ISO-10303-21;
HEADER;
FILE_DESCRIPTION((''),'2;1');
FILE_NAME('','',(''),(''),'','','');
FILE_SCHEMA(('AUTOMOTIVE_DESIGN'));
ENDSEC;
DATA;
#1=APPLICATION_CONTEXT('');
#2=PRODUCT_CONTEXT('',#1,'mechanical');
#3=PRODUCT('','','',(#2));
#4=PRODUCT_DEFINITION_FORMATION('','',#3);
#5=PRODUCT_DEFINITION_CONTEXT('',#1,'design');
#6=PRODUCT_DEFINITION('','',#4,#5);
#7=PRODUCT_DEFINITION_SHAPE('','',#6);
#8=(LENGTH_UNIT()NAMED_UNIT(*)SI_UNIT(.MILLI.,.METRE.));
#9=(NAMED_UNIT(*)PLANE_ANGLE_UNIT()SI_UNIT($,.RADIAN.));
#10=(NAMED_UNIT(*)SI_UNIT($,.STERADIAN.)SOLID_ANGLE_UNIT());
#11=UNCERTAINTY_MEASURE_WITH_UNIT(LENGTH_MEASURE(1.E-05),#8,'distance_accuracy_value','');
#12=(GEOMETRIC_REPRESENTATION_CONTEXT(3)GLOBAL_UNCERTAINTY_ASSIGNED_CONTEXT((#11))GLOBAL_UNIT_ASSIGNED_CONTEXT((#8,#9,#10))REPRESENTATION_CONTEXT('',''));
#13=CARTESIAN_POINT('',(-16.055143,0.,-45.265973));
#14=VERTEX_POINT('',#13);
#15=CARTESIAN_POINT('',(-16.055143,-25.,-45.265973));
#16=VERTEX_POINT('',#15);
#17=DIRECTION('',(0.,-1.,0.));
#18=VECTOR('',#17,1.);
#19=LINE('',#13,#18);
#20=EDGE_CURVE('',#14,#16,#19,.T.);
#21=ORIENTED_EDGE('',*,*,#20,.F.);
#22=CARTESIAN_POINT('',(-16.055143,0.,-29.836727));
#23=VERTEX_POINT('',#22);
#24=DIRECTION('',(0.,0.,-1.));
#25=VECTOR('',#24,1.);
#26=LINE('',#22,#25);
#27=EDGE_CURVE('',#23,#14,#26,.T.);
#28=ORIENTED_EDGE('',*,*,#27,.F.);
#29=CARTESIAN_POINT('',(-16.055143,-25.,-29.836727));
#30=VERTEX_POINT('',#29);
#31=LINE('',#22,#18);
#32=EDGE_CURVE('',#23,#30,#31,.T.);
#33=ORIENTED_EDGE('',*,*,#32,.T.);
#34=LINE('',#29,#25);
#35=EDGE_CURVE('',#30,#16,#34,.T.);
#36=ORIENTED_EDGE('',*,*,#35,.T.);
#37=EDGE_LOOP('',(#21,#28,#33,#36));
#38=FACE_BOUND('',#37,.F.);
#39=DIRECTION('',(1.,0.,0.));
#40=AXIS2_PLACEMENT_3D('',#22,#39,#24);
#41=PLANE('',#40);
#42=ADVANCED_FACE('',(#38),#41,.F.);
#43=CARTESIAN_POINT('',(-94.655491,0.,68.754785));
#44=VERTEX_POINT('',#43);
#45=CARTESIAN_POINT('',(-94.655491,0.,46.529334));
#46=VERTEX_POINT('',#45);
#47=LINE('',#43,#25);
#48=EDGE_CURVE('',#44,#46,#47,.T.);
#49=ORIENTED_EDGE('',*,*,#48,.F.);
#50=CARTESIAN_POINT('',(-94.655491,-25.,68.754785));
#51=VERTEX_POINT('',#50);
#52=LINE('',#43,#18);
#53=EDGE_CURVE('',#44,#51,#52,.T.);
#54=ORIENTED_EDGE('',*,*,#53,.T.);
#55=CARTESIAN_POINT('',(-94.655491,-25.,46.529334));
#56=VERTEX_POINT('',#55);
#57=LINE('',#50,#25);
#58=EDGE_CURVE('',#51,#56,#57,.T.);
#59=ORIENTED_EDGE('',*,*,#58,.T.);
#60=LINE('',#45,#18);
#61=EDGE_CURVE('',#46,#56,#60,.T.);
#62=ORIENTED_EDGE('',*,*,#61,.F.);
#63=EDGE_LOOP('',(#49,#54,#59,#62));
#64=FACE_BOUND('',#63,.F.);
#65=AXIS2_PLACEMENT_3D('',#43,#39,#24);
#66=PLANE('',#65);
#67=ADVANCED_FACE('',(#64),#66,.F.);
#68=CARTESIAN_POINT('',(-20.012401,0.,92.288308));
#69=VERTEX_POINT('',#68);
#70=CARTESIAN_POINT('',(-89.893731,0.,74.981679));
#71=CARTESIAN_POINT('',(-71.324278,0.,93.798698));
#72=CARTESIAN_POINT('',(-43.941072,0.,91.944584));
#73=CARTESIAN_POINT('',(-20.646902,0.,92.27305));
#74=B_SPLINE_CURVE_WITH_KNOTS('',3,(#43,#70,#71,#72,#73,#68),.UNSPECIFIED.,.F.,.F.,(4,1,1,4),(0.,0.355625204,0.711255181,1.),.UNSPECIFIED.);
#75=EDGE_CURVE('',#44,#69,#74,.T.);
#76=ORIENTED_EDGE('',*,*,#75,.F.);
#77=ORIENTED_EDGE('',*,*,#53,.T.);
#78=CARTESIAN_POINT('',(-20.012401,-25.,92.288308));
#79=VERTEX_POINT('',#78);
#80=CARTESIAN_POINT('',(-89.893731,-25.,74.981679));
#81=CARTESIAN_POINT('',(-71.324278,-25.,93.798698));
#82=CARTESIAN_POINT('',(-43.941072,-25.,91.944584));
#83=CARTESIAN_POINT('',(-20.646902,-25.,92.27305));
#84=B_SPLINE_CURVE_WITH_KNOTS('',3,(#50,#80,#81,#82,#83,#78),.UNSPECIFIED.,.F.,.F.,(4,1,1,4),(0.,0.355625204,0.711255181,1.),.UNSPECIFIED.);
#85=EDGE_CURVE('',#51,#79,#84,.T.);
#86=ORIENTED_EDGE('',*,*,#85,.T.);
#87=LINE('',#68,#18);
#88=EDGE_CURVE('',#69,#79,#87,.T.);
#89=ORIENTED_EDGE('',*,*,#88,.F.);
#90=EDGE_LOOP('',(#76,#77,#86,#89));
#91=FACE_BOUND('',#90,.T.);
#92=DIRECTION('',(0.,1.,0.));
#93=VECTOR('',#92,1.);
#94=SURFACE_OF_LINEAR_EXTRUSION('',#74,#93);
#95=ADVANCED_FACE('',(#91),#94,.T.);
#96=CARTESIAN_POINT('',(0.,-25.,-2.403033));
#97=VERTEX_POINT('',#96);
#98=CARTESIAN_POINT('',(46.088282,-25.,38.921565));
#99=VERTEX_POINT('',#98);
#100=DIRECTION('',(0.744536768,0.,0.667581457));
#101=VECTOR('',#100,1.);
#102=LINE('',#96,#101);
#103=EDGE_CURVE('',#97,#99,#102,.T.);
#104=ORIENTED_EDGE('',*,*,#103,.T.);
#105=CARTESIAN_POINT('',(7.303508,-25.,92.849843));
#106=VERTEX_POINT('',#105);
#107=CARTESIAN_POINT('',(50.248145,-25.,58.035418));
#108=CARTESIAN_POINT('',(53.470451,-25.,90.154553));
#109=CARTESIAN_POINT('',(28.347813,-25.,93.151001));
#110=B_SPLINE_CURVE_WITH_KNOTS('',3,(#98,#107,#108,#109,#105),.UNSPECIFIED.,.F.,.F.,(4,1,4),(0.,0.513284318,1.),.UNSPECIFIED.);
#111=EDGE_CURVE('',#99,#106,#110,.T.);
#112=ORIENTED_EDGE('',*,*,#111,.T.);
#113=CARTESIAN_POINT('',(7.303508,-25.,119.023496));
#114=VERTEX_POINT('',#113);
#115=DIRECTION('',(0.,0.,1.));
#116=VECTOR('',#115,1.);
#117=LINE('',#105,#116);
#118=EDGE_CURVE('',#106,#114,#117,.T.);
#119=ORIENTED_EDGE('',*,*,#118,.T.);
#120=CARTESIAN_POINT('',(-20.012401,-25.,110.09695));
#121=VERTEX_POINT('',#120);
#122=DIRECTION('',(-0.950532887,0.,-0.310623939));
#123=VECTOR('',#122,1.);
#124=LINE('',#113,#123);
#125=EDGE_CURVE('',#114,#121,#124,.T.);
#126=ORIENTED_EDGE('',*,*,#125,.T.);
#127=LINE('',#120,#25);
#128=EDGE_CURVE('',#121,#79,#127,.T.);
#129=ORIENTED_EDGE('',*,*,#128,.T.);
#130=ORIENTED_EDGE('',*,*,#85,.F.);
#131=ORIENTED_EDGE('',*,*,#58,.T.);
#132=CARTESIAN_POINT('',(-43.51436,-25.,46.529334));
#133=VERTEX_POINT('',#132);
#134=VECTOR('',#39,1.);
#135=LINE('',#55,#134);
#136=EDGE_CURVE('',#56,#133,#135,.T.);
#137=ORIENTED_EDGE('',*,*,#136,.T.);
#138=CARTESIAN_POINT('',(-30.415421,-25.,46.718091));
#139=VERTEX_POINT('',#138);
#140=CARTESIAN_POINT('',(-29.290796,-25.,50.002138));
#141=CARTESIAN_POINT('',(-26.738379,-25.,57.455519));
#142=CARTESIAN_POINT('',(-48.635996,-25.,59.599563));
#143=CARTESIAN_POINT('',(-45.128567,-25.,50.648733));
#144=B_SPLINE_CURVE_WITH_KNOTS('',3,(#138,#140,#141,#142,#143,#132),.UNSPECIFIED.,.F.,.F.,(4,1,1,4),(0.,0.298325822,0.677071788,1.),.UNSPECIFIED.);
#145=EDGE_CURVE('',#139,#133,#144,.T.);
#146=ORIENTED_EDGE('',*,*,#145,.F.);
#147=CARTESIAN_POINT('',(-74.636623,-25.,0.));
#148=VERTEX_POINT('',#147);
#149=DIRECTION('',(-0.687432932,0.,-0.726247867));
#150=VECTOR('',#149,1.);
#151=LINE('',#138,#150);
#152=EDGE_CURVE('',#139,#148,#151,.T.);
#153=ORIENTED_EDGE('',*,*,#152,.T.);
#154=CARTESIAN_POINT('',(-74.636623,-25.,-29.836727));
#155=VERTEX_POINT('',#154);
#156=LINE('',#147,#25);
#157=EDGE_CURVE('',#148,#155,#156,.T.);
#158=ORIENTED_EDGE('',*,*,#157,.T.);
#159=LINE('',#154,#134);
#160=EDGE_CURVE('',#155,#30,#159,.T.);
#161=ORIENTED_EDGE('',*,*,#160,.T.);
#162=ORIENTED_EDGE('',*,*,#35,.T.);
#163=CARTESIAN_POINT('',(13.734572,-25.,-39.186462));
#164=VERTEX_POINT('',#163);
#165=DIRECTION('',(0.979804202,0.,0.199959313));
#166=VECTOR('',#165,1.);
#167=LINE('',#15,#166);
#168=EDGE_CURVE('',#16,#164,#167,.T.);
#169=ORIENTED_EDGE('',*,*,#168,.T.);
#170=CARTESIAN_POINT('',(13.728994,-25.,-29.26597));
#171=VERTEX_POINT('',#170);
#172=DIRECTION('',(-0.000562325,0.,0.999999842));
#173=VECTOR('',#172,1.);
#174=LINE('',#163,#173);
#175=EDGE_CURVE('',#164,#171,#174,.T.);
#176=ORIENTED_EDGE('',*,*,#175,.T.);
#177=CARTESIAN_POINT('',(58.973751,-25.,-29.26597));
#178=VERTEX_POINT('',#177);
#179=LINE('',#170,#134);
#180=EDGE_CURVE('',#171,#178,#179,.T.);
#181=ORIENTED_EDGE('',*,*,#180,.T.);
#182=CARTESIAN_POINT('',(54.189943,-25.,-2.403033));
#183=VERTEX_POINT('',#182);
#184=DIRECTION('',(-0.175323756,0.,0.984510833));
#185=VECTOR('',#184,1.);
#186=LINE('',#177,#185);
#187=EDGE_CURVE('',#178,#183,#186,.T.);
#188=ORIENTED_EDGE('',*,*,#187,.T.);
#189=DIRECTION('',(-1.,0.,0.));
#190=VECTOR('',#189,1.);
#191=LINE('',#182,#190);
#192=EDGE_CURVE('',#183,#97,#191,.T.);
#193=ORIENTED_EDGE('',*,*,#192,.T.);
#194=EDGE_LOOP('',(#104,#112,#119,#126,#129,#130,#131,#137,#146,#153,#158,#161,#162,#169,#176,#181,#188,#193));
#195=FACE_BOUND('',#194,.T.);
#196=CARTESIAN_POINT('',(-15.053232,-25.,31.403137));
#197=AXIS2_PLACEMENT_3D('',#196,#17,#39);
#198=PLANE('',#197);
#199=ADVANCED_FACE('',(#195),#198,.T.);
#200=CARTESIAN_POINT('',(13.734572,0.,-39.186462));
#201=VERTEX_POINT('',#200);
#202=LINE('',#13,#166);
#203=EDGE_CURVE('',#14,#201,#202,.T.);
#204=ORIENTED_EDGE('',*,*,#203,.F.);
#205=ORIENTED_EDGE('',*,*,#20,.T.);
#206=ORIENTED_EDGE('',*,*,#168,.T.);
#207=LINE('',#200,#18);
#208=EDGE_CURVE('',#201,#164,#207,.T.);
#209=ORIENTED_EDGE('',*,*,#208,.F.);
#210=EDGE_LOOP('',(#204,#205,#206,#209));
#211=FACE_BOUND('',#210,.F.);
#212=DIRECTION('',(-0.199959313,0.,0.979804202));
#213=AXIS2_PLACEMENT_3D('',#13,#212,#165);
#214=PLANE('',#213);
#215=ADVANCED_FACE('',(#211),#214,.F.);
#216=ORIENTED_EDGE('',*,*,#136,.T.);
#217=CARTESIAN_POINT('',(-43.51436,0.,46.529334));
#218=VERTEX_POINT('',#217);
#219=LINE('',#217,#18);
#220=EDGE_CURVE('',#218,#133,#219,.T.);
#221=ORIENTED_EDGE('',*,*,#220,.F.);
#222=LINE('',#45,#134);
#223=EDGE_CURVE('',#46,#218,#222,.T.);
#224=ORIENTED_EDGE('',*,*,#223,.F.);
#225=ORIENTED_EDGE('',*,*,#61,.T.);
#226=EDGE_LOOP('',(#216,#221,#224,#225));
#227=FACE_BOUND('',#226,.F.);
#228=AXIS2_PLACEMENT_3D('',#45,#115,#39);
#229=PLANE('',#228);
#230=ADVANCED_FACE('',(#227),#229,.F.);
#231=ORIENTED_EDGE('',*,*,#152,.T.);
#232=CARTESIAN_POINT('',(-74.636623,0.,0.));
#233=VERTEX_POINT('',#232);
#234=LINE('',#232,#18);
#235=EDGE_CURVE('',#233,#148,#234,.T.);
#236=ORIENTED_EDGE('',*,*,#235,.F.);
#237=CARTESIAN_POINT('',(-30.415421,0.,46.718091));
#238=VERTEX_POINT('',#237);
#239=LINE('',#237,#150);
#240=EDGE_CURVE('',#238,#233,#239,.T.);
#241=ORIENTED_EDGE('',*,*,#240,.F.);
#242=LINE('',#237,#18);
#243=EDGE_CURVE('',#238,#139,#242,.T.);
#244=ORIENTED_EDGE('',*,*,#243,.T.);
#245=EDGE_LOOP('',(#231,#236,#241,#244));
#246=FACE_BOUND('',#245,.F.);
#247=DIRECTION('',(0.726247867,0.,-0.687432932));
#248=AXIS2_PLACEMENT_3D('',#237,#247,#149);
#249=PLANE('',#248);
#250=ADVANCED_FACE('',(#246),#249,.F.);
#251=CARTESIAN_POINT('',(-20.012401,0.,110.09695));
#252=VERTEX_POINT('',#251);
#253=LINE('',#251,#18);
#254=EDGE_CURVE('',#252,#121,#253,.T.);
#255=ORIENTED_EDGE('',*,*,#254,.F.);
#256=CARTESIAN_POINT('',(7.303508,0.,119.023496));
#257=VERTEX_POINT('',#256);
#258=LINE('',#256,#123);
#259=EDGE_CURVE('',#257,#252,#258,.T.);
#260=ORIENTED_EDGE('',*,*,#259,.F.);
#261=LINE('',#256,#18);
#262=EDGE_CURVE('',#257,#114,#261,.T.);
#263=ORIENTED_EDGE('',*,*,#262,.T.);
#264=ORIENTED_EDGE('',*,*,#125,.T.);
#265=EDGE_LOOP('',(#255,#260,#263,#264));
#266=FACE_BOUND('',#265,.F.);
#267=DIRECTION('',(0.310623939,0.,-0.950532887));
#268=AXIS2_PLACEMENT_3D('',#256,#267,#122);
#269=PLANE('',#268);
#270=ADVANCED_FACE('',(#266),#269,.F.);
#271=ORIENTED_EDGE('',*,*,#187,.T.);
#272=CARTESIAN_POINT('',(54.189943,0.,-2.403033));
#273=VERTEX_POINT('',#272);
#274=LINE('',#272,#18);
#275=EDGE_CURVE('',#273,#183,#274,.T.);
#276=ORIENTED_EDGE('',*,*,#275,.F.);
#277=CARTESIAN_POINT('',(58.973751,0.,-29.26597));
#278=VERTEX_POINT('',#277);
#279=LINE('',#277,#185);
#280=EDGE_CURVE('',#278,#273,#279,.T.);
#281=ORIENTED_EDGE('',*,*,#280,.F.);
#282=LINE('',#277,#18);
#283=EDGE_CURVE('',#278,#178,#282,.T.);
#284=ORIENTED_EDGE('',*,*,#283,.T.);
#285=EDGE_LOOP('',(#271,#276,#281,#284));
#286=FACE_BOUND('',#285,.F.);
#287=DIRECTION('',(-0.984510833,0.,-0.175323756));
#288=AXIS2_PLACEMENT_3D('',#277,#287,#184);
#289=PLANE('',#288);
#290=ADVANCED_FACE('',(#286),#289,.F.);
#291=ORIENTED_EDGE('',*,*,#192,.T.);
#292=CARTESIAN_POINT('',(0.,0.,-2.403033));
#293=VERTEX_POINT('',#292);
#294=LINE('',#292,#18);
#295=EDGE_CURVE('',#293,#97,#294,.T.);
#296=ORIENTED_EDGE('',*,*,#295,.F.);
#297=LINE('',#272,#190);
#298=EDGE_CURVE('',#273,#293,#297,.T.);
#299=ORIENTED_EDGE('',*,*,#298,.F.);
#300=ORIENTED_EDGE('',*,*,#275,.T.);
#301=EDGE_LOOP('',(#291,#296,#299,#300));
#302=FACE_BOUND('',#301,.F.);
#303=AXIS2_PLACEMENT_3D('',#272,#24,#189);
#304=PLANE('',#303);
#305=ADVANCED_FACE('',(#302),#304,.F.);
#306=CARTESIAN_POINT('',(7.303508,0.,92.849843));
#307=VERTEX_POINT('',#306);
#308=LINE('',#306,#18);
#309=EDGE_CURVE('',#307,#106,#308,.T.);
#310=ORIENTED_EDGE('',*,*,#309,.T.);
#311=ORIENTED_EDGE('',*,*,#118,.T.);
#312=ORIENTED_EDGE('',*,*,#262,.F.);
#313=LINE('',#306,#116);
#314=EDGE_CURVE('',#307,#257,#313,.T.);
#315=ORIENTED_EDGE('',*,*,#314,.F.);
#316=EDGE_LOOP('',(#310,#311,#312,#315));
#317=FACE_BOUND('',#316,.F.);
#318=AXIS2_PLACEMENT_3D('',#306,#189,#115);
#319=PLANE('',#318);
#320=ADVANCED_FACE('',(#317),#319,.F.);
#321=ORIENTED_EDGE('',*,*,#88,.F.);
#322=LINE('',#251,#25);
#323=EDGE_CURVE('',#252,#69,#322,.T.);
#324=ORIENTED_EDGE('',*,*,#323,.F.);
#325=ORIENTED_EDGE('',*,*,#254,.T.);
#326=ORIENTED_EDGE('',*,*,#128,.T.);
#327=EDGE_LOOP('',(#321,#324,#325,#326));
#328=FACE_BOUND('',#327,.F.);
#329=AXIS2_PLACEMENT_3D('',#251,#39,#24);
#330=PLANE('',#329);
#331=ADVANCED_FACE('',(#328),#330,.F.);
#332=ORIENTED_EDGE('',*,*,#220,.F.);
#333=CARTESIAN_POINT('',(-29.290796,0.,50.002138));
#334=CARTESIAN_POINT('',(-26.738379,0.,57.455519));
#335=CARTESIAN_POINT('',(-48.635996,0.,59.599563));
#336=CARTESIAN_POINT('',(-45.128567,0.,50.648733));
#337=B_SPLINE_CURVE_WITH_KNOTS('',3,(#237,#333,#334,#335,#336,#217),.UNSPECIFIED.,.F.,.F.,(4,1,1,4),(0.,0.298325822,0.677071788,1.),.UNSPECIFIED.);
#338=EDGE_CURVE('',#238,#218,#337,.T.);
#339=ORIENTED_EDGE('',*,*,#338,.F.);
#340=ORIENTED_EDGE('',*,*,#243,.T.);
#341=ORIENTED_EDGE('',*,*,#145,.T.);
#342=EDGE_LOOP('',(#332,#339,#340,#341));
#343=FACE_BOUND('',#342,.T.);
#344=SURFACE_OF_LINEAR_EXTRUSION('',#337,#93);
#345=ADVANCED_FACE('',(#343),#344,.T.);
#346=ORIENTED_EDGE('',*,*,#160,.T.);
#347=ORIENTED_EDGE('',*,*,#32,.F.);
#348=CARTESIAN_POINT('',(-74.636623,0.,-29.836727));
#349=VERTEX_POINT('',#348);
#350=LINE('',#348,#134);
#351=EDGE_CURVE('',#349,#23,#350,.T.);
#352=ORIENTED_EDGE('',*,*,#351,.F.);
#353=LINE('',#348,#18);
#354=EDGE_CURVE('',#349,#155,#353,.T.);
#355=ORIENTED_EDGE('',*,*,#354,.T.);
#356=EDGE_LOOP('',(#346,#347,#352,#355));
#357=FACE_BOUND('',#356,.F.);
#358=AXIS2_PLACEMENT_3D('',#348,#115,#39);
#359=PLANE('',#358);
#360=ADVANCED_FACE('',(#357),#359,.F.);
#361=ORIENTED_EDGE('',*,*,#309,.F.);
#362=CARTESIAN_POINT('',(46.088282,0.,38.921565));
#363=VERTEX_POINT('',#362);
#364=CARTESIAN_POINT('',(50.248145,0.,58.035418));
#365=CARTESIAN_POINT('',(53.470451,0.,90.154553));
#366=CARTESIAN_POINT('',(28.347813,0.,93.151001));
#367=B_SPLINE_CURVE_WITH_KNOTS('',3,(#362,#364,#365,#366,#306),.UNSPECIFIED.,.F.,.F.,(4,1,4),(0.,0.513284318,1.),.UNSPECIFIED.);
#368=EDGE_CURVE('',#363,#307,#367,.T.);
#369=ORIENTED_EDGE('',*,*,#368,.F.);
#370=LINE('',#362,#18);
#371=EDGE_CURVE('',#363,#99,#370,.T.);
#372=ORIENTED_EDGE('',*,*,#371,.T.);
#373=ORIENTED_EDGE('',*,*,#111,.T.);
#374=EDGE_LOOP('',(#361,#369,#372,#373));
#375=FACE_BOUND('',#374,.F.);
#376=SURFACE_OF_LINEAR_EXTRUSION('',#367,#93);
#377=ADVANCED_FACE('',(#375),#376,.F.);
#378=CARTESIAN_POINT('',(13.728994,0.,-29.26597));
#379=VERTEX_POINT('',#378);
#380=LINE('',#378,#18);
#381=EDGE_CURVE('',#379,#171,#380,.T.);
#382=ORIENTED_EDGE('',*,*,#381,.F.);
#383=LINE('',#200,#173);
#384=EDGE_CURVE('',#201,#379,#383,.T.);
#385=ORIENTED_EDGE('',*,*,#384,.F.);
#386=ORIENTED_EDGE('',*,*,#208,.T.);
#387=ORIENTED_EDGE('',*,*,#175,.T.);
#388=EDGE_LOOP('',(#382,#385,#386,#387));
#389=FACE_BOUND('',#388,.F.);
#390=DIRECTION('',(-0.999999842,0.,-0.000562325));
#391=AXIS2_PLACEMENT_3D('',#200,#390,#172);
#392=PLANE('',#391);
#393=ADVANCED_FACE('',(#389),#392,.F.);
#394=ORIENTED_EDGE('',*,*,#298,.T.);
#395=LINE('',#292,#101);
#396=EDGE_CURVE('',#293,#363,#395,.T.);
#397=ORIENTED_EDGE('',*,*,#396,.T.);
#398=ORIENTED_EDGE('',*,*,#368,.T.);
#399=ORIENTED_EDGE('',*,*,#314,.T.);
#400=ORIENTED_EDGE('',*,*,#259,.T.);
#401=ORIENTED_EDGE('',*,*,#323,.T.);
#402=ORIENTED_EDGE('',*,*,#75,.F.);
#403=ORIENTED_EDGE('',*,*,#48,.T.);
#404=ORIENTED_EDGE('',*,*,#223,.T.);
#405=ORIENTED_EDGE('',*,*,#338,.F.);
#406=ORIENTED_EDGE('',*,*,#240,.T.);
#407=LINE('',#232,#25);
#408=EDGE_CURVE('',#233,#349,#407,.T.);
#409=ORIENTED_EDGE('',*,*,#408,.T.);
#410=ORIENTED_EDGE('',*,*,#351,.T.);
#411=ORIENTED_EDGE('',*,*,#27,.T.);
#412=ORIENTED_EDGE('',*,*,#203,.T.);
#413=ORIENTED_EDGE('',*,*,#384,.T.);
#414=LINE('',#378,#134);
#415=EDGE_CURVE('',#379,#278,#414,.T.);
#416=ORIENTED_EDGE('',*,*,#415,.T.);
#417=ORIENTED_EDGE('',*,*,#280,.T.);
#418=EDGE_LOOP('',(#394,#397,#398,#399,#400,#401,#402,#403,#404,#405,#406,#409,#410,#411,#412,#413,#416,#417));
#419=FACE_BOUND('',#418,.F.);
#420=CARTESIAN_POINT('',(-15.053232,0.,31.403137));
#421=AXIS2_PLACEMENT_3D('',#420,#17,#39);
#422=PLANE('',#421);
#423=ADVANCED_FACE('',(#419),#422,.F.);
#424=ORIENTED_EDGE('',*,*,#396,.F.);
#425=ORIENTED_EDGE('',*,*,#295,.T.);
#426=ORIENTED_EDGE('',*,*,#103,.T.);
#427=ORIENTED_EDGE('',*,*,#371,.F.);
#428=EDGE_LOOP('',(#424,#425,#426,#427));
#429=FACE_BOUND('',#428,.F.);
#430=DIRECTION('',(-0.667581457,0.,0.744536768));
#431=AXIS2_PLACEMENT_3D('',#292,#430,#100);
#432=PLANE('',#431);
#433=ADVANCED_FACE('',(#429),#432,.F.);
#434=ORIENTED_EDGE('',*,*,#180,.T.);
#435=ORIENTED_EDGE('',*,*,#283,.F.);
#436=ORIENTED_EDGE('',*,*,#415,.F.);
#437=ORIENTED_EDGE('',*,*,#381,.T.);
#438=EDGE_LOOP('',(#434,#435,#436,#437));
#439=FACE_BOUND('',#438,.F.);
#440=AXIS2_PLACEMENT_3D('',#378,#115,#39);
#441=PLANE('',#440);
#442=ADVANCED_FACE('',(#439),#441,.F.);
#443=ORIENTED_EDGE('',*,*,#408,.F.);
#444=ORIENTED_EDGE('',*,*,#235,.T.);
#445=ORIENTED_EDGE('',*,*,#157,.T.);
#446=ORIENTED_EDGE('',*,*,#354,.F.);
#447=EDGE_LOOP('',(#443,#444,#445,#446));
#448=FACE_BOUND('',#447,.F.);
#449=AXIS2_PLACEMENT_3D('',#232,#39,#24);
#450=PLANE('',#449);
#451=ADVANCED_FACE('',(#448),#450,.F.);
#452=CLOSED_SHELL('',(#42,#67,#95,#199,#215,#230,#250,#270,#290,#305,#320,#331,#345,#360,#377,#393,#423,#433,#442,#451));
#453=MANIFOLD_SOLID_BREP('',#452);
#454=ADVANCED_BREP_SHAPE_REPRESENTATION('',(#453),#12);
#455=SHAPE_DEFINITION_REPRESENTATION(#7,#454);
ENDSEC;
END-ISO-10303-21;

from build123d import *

# Parameters (mm, degrees)
F1_DEPTH = 25


with BuildPart() as f1:
    # F0 (on Front) → F1 (new body)
    with BuildSketch(Plane.XZ):
        with BuildLine():
            Line((-74.6366232634, 0), (-74.6366232634, -29.8367273062))
            Line((-74.6366232634, -29.8367273062), (-16.055142507, -29.8367273062))
            Line((-16.055142507, -29.8367273062), (-16.055142507, -45.2659733504))
            Line((-16.055142507, -45.2659733504), (13.7345721046, -39.1864619064))
            Line((13.7345721046, -39.1864619064), (13.7289935585, -29.2659699917))
            Line((13.7289935585, -29.2659699917), (58.9737510074, -29.2659699917))
            Line((58.9737510074, -29.2659699917), (54.1899427772, -2.403032966))
            Line((54.1899427772, -2.403032966), (0, -2.403032966))
            Line((0, -2.403032966), (46.0882820189, 38.9215648174))
            add(Edge.make_bspline(
                [(46.0882820189, 38.9215648174), (50.2481446477, 58.0354177354), (53.4704514837, 90.1545526644), (28.347812869, 93.151001111), (7.3035084642, 92.849843204)],
                knots=[0, 0, 0, 0, 0.5132843184, 1, 1, 1, 1], degree=3))
            Line((7.3035084642, 92.849843204), (7.3035084642, 119.0234960881))
            Line((7.3035084642, 119.0234960881), (-20.0124010444, 110.0969502155))
            Line((-20.0124010444, 110.0969502155), (-20.0124010444, 92.2883078456))
            add(Edge.make_bspline(
                [(-94.6554914117, 68.7547847629), (-89.8937305898, 74.9816786252), (-71.3242782324, 93.7986977702), (-43.9410715308, 91.9445843106), (-20.6469021907, 92.2730502084), (-20.0124010444, 92.2883078456)],
                knots=[0, 0, 0, 0, 0.3556252037, 0.7112551809, 1, 1, 1, 1], degree=3))
            Line((-94.6554914117, 68.7547847629), (-94.6554914117, 46.5293340385))
            Line((-94.6554914117, 46.5293340385), (-43.5143597424, 46.5293340385))
            add(Edge.make_bspline(
                [(-30.4154206104, 46.7180907726), (-29.2907957738, 50.0021383604), (-26.7383792795, 57.45551922), (-48.6359964712, 59.5995631591), (-45.1285673693, 50.6487327091), (-43.5143597424, 46.5293340385)],
                knots=[0, 0, 0, 0, 0.2983258219, 0.6770717876, 1, 1, 1, 1], degree=3))
            Line((-30.4154206104, 46.7180907726), (-74.6366232634, 0))
        make_face()
    extrude(amount=F1_DEPTH)


solid = f1.part
